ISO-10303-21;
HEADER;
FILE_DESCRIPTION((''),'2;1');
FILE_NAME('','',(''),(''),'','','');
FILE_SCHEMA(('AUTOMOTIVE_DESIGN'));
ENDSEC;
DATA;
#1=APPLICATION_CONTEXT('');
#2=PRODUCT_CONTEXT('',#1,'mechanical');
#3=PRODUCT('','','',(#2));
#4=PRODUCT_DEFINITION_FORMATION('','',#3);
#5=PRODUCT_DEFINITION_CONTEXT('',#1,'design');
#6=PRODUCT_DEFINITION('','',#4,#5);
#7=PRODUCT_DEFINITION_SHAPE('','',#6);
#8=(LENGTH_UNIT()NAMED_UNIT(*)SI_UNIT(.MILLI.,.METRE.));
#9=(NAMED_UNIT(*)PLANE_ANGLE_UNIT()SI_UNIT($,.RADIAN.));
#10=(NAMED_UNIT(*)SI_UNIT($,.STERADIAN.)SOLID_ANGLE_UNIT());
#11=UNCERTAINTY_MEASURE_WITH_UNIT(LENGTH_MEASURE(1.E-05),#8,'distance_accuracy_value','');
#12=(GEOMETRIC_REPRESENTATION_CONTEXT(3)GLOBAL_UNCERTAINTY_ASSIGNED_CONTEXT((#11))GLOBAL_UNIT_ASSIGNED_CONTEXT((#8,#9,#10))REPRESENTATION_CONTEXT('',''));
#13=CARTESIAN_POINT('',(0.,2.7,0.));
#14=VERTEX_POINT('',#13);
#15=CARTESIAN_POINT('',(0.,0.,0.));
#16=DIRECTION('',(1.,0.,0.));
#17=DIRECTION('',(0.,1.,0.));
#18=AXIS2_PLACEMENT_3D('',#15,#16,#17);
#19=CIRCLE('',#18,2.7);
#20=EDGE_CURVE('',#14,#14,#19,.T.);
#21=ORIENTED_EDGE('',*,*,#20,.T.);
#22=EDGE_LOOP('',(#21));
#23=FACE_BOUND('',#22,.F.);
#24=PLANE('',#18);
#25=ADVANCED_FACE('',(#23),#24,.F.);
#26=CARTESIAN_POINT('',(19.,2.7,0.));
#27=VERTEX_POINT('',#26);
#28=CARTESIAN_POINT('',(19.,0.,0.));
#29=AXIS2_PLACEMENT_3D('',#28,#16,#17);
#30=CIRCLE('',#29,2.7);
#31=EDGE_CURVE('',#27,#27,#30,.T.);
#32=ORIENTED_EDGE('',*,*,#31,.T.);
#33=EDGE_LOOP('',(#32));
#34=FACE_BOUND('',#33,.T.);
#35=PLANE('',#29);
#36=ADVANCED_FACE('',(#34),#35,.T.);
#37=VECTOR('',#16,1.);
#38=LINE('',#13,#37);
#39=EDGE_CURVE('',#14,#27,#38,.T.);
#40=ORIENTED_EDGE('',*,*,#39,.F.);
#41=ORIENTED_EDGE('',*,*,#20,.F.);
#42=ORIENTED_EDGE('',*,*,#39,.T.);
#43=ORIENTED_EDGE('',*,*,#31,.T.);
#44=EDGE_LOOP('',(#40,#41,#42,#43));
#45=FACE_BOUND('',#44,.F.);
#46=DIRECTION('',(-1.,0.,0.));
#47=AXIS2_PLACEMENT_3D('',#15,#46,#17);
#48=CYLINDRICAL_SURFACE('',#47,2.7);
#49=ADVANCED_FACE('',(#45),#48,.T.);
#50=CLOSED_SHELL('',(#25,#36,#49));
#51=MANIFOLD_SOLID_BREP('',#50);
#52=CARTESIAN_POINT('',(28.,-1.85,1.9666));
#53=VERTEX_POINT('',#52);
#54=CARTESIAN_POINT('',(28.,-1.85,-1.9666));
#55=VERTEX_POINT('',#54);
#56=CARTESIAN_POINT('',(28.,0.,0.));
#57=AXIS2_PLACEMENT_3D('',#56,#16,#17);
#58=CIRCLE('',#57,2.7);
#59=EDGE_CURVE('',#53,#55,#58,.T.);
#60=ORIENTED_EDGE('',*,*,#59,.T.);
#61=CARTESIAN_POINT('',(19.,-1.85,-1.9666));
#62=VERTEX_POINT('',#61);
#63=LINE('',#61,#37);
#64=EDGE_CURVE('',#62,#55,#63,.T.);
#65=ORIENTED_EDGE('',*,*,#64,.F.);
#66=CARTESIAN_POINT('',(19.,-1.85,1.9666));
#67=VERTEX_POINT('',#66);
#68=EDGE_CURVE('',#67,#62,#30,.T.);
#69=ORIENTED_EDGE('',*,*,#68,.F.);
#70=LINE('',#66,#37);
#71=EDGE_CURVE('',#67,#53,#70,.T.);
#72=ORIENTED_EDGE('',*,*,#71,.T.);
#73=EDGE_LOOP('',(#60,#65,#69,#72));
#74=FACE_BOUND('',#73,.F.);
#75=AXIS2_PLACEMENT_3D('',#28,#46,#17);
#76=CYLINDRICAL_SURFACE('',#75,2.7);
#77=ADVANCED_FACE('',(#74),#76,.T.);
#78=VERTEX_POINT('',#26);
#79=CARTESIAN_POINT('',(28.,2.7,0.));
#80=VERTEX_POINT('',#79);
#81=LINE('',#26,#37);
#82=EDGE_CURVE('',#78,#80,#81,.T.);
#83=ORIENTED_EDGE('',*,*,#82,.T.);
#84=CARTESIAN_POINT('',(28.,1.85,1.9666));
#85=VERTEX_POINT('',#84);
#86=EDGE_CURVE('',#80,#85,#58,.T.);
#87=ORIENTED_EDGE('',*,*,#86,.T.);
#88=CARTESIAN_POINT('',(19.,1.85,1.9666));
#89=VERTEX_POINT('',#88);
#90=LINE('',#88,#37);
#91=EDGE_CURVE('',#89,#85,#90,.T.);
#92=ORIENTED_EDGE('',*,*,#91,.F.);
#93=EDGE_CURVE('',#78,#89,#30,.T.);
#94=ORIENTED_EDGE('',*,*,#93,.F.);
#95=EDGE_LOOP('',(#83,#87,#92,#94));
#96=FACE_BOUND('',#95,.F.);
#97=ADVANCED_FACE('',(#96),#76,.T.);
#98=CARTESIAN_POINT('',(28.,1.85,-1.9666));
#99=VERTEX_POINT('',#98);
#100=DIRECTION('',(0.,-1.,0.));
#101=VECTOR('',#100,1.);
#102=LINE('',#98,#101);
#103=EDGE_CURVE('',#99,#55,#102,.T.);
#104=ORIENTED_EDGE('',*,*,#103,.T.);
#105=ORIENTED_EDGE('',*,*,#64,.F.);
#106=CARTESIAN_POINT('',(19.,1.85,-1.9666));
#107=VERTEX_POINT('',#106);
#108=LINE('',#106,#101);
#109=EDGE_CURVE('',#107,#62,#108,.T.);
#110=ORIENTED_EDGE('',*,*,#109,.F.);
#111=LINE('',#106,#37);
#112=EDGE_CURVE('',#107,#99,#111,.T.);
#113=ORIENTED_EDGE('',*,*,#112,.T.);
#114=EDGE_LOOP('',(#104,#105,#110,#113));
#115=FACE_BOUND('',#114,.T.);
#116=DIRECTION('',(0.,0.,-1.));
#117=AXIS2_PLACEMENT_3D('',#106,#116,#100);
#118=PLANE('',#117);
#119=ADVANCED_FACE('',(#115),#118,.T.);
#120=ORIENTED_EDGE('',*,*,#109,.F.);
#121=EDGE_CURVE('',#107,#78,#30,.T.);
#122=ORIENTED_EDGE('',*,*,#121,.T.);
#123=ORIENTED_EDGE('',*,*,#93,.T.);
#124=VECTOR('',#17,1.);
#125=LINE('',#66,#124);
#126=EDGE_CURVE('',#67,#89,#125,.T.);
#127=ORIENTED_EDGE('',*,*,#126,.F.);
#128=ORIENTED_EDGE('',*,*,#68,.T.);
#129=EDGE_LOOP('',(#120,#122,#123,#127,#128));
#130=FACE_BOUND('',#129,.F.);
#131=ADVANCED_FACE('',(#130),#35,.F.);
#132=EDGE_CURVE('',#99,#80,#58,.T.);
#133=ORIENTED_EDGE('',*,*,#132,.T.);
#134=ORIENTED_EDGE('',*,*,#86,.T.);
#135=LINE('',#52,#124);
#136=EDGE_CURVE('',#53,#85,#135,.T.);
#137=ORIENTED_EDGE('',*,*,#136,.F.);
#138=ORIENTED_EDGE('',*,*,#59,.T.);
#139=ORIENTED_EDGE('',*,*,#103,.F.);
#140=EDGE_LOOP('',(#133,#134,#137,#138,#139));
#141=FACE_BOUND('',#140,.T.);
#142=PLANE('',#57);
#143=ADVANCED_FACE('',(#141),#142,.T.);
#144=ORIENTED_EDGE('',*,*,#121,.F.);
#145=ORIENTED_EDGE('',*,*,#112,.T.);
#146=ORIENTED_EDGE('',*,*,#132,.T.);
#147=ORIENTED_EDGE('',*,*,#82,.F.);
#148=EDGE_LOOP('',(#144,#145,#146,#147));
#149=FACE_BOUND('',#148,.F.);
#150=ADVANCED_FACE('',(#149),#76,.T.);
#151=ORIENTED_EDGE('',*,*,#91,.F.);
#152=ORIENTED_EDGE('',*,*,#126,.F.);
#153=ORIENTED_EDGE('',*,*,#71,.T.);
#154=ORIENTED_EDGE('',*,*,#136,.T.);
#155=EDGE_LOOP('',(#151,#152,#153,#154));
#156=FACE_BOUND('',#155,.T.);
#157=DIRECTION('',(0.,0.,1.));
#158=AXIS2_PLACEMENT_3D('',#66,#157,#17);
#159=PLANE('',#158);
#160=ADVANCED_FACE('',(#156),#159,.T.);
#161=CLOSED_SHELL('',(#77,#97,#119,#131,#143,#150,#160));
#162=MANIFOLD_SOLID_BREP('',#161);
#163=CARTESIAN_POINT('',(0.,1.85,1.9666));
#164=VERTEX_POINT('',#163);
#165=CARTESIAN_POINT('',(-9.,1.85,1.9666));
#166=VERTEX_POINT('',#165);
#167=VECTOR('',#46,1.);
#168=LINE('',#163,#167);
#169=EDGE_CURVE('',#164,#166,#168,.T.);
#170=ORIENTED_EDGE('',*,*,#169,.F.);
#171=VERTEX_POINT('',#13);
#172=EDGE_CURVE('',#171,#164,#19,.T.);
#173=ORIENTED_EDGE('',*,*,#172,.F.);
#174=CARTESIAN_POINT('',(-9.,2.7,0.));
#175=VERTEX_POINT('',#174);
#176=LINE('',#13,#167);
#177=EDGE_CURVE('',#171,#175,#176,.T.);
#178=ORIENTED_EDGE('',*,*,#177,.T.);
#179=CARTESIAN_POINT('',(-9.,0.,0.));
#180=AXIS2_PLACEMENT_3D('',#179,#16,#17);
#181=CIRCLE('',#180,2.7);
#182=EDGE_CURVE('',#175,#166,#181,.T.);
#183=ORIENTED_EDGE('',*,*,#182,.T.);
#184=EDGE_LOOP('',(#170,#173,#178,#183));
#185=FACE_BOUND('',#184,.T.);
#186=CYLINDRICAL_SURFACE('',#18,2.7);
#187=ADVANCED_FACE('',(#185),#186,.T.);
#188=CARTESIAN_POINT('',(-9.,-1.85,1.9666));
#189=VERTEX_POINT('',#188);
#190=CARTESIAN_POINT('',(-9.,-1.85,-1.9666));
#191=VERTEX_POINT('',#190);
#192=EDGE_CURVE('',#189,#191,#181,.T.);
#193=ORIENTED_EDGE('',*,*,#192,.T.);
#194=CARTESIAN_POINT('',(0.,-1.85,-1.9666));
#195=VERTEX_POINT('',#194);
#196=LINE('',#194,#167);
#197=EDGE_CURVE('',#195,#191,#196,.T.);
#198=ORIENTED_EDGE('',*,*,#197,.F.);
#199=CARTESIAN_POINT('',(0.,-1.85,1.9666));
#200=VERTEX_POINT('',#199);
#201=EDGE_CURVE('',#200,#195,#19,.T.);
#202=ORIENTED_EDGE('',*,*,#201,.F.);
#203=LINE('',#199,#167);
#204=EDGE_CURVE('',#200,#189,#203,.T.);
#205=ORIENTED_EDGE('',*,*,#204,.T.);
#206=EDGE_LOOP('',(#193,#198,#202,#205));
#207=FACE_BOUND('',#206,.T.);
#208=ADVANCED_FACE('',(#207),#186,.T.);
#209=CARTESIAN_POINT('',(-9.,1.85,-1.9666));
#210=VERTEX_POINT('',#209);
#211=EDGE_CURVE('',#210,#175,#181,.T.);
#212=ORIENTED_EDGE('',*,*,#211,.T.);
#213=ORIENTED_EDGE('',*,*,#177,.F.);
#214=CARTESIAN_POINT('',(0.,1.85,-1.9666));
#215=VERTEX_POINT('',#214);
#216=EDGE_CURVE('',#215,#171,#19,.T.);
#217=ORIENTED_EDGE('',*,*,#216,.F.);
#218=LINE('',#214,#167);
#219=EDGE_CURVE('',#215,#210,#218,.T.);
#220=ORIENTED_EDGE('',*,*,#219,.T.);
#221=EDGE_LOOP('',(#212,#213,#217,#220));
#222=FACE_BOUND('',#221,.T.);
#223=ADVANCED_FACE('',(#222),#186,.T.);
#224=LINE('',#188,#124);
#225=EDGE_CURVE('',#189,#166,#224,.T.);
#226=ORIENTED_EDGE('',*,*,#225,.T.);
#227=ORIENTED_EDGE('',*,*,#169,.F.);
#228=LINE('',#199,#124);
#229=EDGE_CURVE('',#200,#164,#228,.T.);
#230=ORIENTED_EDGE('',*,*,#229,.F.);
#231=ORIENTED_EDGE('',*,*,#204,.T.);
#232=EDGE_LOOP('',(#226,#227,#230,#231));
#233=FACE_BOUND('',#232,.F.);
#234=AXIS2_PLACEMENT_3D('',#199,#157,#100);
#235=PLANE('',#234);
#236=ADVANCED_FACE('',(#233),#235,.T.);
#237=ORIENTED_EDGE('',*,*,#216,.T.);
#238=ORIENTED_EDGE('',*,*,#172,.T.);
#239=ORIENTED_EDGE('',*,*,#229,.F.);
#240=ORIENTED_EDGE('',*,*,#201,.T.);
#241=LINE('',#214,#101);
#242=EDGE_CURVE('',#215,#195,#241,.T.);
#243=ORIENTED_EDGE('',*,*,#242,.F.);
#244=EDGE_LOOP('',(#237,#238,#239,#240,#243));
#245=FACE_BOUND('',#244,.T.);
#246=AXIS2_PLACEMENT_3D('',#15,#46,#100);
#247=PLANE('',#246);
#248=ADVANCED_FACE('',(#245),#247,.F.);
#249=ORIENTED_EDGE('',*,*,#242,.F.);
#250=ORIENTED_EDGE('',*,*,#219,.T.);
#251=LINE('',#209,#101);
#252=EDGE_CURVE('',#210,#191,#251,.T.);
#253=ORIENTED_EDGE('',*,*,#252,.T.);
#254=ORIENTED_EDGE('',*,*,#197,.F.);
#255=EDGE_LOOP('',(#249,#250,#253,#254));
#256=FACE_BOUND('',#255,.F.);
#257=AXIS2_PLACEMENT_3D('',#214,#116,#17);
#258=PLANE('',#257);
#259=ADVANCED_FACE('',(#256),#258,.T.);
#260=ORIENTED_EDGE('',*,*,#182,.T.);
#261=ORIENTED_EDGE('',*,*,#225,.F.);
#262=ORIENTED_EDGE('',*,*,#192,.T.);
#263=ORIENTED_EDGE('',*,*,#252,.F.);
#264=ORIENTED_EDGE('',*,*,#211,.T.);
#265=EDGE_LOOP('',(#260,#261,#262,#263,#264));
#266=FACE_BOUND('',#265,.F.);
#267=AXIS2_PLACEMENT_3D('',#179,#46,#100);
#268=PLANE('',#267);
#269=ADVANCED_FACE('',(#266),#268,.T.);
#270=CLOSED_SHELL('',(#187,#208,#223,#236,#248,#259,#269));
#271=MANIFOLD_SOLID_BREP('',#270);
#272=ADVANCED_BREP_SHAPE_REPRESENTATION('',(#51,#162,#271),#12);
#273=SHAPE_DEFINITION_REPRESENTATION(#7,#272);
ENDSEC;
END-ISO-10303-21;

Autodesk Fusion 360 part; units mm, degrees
sketch "Center" plane through (0, 0, 0) normal (1, 0, 0) x (0, 1, 0)
  circle A0 centre (0, 0) radius 2.7
  dimension "d1" = 5.4
extrude "Center width" add sketch "Center" along normal blind 19 makes body 1
sketch "Axis" plane through (19, 0, 0) normal (1, 0, 0) x (0, 1, 0)
  circle A0 centre (0, 0) radius 2.7
  line L0 (-1.85, 1.9666) -> (1.85, 1.9666)
  line L1 (1.85, -1.9666) -> (-1.85, -1.9666)
  arc A1 (-1.85, 1.9666) -> (-1.85, -1.9666) centre (0, 0) ccw
  arc A2 (1.85, -1.9666) -> (1.85, 1.9666) centre (0, 0) ccw
  dimension "d4" = 5.4
  dimension "d5" = 3.7
extrude "Axis width" add sketch "Axis" along normal blind 9 separate body contours A0 L0 L1 A1 A2 makes body 2
ref_plane "WorkPlane1" through (9.5, 0, 0) normal (1, 0, 0) x (0, 1, 0)
mirror "Axis mirror" about plane through (9.5, 0, 0) normal (1, 0, 0) of "Axis width" makes body 3
equation "d8 = ( 19 / 2 ) * 1 mm"
